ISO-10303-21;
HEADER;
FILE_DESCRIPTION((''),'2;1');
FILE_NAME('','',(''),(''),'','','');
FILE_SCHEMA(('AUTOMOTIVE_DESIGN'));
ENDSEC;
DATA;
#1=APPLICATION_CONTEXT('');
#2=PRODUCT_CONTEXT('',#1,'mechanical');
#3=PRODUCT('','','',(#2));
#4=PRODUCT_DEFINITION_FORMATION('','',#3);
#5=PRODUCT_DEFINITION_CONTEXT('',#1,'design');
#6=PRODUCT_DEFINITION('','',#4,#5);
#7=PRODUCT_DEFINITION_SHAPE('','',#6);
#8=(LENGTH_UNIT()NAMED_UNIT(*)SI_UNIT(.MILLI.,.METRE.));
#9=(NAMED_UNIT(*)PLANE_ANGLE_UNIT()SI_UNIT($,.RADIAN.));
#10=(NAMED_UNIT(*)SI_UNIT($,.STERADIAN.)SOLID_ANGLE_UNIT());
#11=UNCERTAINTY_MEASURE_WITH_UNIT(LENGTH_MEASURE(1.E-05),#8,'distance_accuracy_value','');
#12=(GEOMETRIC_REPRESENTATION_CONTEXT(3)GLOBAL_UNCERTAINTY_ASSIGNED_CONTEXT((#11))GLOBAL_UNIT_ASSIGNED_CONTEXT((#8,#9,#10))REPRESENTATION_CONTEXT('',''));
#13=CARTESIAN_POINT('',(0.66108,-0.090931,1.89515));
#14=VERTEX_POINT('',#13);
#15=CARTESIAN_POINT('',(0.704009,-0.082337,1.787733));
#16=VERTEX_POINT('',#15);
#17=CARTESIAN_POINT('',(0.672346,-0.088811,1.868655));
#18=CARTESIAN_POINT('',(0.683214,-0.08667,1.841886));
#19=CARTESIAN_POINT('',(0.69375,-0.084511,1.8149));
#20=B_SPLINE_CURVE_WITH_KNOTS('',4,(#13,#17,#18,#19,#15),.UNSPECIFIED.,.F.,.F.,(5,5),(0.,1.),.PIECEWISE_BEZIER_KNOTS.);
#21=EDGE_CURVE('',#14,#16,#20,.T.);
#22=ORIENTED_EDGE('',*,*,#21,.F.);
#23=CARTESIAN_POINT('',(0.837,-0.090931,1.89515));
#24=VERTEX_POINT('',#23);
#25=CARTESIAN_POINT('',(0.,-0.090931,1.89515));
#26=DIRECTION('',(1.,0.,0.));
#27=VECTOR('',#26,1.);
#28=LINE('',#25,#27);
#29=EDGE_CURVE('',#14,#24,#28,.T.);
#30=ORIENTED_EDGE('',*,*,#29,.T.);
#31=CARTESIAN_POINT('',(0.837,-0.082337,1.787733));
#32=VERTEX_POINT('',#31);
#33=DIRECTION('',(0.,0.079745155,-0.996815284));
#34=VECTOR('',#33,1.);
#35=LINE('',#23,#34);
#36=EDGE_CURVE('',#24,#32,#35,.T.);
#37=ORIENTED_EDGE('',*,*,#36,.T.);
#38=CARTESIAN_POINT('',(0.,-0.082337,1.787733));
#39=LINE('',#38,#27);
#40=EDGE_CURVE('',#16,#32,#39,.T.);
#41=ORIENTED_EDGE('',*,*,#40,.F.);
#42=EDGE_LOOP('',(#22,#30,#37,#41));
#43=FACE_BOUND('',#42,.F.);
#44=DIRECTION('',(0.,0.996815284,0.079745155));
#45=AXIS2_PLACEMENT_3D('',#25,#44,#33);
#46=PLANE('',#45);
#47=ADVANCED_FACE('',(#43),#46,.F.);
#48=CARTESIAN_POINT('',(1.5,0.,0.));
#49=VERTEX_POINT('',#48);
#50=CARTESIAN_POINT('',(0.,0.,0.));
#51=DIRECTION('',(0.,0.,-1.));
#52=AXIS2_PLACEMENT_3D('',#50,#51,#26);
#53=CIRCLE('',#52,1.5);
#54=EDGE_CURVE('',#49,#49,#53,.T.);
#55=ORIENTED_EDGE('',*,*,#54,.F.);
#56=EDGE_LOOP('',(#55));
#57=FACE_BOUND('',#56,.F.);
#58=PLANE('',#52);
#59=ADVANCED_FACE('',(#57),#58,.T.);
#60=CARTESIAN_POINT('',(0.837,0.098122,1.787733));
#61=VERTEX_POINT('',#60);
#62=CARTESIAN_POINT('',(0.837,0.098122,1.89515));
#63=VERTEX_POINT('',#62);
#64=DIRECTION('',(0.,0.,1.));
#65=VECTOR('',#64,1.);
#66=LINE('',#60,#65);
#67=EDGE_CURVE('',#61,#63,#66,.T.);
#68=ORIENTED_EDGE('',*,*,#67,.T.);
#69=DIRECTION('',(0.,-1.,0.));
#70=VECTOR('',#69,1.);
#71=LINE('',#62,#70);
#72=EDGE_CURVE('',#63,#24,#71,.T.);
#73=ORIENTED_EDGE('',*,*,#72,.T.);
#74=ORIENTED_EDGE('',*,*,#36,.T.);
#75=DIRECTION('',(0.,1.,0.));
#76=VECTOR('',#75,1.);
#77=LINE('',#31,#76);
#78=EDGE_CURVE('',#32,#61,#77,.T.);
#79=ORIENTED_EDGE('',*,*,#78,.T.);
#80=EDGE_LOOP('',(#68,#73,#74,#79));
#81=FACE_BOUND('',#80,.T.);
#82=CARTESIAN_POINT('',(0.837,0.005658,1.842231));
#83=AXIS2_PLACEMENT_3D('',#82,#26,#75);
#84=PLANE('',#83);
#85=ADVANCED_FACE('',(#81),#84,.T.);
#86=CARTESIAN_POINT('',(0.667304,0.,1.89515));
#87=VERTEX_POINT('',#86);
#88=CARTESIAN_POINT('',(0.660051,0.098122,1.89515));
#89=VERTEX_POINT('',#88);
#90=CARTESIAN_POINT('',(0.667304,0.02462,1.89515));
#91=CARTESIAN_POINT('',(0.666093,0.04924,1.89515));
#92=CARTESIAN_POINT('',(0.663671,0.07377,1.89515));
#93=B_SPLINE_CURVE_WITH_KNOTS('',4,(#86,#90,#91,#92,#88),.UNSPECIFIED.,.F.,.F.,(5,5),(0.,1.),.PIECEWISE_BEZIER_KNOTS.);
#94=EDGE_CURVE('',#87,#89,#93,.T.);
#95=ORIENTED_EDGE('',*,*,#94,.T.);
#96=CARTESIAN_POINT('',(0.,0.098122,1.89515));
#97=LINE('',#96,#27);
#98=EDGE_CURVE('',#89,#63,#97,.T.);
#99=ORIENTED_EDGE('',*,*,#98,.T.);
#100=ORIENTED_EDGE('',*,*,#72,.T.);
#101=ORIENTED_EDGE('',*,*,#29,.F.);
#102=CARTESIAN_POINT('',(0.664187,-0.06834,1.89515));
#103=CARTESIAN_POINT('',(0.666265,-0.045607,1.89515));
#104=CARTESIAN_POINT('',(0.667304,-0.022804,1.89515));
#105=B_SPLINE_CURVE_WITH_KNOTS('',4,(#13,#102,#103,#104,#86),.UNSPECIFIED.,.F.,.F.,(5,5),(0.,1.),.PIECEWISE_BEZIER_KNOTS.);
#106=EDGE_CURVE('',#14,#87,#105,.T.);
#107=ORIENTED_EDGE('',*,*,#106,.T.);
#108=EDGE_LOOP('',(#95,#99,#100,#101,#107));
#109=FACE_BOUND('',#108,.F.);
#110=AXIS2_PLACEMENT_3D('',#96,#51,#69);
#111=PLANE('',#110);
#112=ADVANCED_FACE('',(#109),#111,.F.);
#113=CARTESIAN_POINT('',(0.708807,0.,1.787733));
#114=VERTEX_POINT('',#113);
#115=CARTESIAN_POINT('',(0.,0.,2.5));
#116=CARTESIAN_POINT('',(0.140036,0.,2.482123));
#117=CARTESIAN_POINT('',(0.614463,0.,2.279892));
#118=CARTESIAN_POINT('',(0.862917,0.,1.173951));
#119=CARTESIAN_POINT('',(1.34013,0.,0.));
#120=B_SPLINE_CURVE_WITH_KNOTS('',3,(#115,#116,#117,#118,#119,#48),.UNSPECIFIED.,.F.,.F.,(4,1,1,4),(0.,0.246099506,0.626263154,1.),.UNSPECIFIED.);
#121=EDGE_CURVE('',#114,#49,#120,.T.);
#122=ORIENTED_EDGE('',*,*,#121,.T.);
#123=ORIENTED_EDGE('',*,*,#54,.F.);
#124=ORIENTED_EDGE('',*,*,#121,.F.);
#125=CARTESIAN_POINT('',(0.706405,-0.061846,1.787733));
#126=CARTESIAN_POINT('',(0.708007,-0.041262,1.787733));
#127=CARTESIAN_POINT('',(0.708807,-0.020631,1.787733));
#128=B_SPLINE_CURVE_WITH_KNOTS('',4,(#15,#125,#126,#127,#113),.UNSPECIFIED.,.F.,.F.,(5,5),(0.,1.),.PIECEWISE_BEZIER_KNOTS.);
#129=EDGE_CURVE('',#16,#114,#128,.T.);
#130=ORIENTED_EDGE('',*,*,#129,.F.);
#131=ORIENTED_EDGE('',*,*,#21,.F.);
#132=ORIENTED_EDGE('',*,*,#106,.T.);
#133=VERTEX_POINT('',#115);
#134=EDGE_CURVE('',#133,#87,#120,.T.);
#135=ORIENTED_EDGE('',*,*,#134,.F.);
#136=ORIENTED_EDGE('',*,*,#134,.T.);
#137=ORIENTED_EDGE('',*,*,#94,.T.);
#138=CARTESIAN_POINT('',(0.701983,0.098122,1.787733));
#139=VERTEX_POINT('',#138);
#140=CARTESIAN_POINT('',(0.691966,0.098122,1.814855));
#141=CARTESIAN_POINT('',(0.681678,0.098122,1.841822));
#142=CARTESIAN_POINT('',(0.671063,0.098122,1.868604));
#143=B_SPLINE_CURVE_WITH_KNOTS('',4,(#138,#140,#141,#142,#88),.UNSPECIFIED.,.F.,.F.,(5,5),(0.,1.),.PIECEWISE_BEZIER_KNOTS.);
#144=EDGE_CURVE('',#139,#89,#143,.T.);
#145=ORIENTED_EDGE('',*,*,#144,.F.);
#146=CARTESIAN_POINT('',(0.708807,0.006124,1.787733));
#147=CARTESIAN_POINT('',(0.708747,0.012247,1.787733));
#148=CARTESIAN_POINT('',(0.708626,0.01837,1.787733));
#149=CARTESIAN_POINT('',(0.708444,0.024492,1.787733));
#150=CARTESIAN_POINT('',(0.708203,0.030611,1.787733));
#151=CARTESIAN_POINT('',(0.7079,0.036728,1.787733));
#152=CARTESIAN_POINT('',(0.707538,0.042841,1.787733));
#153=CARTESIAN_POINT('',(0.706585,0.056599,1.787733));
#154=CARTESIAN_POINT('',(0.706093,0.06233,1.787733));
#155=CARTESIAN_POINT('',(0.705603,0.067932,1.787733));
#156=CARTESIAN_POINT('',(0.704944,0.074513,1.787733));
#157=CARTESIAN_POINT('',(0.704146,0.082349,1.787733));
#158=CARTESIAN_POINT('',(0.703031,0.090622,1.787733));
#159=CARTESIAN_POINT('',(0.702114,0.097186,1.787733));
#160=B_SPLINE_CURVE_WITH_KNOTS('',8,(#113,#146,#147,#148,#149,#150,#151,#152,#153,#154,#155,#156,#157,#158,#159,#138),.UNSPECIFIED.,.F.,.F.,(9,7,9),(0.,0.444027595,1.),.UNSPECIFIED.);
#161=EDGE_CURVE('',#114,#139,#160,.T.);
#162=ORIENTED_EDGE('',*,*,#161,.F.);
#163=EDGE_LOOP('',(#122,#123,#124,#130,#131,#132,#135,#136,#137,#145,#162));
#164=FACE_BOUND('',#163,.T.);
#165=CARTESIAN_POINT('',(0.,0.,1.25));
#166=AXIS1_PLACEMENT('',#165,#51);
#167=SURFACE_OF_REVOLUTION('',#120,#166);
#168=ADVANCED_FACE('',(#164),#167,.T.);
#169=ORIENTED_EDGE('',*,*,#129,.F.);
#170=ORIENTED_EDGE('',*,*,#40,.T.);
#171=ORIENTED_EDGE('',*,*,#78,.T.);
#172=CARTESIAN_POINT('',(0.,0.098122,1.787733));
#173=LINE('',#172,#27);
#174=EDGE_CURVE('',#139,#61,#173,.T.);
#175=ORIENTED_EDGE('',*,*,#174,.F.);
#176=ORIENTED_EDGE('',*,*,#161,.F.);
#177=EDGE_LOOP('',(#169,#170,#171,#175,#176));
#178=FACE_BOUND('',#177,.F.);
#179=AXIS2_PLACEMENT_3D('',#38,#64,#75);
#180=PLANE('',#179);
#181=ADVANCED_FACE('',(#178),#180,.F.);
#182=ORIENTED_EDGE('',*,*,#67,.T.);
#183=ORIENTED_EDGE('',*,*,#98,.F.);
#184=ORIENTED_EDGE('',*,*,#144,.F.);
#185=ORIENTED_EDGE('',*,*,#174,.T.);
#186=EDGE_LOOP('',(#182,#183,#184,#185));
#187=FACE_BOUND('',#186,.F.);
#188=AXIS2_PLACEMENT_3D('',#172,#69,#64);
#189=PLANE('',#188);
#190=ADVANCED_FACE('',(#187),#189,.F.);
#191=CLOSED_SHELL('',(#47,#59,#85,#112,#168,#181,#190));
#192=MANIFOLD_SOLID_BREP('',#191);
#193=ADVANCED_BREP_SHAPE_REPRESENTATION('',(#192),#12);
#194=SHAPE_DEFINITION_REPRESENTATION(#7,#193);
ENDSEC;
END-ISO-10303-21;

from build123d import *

# Parameters (mm, degrees)
F3_DEPTH = 0.837


with BuildPart() as f1:
    # F0 (on Front) → F1 (revolve)
    with BuildSketch(Plane.XZ):
        with BuildLine():
            add(Edge.make_bspline(
                [(0, 2.5), (0.1400355541, 2.4821229745), (0.6144631627, 2.2798917093), (0.8629174633, 1.1739506292), (1.3401302215, 0), (1.5, 0)],
                knots=[0, 0, 0, 0, 0.246099506, 0.6262631544, 1, 1, 1, 1], degree=3))
            Line((0, 2.5), (0, 0))
            Line((0, 0), (1.5, 0))
        make_face()
    revolve(axis=Axis((0, 0, 1.25), (0, 0, -1)))

    # F2 (on Right) → F3 (join)
    with BuildSketch(Plane.YZ):
        Polygon((0.098122131, 1.8951497041), (-0.0909307346, 1.8951497041), (-0.0823374285, 1.7877332866), (0.098122131, 1.7877332866), align=None)
    extrude(amount=F3_DEPTH)


solid = f1.part
